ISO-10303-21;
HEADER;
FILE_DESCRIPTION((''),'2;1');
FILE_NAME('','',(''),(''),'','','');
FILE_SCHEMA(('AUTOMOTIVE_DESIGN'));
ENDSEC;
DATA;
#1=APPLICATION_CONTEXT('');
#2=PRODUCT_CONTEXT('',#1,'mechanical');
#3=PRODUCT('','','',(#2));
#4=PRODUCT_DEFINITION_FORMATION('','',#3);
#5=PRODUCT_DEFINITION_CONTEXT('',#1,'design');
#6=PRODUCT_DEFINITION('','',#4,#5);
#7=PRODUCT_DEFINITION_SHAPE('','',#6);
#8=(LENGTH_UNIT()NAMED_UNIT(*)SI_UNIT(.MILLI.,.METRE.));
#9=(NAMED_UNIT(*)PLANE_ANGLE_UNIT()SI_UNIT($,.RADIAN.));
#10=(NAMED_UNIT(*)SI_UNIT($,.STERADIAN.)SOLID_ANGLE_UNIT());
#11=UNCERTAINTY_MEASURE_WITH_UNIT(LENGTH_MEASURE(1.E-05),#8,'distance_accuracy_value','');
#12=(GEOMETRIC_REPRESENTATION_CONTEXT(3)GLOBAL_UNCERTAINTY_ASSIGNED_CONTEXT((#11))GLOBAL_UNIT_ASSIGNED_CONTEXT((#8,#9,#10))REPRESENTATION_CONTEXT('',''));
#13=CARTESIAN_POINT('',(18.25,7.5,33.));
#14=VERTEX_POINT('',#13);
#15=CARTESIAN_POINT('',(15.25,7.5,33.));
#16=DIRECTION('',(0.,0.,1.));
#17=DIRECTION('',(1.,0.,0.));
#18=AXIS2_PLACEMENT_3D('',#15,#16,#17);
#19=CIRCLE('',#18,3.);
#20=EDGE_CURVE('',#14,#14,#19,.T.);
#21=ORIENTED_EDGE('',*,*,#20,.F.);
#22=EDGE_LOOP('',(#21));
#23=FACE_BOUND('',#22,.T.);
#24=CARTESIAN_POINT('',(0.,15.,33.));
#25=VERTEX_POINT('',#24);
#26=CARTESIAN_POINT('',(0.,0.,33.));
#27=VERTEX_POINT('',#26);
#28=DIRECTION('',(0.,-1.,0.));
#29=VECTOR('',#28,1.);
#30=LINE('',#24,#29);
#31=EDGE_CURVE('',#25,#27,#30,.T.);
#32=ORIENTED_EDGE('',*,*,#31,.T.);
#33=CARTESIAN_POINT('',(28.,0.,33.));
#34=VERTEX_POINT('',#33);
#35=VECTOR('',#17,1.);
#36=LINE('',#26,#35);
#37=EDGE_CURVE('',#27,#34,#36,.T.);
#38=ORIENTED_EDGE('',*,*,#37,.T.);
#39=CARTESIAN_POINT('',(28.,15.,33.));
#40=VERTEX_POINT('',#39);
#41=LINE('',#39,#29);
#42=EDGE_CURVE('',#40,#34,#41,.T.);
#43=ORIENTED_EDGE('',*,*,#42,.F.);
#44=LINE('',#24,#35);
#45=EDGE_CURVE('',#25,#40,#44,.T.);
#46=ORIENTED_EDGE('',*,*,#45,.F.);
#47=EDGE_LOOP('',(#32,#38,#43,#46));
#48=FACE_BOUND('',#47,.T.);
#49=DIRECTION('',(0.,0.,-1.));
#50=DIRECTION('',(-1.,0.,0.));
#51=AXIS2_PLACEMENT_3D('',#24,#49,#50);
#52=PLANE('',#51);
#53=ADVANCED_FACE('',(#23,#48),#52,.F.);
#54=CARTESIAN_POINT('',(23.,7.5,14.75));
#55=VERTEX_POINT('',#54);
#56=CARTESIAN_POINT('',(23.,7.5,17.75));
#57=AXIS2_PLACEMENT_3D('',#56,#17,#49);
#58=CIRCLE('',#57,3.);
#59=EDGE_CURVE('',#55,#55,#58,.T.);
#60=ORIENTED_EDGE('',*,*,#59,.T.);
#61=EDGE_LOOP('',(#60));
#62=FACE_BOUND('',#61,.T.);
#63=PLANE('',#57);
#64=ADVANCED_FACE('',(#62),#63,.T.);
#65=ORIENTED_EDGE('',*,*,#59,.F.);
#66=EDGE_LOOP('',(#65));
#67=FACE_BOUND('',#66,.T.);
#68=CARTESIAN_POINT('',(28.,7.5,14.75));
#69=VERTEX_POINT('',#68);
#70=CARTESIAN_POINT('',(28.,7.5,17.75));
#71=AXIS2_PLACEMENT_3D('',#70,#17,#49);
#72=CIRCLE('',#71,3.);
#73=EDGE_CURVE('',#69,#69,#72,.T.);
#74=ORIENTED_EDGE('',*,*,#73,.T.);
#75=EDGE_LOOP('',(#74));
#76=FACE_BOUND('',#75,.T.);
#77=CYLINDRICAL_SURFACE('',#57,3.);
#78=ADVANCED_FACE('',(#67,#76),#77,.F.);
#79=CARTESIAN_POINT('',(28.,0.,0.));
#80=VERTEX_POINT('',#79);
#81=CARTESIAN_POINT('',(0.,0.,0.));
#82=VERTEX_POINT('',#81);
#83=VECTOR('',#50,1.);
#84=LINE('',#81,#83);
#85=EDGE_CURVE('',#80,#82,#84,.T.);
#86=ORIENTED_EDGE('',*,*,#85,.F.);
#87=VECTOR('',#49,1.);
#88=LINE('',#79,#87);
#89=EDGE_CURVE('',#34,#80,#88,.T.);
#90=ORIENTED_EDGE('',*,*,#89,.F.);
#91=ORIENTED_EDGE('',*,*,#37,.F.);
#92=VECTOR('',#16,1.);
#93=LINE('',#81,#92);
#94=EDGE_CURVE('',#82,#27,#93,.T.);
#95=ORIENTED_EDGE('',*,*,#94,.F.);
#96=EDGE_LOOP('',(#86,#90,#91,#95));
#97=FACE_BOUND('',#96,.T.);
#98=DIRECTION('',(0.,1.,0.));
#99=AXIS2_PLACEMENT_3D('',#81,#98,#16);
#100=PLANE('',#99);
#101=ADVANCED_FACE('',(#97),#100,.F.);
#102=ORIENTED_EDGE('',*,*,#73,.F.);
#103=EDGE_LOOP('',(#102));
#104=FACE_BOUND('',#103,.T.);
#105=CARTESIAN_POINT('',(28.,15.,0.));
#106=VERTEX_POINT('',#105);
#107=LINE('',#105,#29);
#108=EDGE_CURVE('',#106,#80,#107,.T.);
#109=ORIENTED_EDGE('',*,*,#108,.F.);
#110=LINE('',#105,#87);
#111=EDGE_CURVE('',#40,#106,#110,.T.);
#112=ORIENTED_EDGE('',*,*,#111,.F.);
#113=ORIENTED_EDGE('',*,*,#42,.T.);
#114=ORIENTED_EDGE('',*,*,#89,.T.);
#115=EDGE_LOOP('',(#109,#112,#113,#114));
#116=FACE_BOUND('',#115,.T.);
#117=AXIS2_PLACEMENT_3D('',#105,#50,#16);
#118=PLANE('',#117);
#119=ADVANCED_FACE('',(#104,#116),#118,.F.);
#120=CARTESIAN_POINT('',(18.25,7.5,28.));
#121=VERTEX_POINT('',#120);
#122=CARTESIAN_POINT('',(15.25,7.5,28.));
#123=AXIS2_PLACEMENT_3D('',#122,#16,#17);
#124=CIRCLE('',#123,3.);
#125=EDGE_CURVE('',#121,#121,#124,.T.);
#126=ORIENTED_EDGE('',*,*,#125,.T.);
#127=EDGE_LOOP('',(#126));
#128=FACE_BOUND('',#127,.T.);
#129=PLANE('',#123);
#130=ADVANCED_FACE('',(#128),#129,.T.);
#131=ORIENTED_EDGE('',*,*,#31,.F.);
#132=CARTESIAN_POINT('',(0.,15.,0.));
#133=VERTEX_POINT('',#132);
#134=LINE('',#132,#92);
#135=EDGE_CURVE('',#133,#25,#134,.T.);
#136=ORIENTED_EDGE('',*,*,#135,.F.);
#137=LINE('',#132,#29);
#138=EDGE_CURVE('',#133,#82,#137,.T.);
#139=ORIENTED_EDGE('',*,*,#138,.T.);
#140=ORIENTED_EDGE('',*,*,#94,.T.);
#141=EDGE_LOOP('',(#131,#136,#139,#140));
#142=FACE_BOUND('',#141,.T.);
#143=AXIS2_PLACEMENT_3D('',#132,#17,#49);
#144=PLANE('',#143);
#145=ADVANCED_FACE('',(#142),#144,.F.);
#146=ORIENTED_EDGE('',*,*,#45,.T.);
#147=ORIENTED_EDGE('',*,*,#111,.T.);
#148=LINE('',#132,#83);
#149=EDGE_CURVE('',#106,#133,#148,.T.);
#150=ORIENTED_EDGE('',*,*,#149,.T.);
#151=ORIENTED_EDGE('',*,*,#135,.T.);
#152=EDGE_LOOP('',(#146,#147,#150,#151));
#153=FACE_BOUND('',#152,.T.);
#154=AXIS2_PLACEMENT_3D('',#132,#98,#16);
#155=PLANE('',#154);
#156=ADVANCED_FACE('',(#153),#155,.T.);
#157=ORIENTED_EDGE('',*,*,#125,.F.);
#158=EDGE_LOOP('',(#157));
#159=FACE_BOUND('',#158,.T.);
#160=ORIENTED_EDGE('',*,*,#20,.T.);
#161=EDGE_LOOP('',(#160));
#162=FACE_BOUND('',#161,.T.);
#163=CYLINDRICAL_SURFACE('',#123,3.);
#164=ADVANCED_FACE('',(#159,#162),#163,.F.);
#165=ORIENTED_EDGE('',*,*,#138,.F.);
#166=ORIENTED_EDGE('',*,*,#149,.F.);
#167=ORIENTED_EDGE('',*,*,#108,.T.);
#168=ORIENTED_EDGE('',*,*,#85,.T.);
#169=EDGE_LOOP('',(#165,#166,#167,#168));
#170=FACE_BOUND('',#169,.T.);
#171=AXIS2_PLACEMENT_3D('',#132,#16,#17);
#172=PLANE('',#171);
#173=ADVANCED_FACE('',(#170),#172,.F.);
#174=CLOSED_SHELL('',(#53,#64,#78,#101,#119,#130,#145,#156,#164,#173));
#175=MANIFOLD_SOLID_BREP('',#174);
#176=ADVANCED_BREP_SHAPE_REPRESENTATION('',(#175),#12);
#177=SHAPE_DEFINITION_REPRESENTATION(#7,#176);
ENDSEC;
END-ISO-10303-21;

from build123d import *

# Parameters (mm, degrees)
SKETCH_1_W          = 28
SKETCH_1_H          = 33
EXTRUDE_1_DEPTH     = 15
SKETCH_2_R          = 3
CUT_EXTRUDE_1_DEPTH = 5
SKETCH_3_R          = 3
CUT_EXTRUDE_2_DEPTH = 5


with BuildPart() as part:
    # 草图1 → 凸台-拉伸1 (new body)
    with BuildSketch(Plane(origin=(0, 0, 0), x_dir=(1, 0, 0), z_dir=(0, 1, 0))):
        with Locations((14, -16.5)):
            Rectangle(SKETCH_1_W, SKETCH_1_H)
    extrude(amount=EXTRUDE_1_DEPTH)

    # 草图2 → 切除-拉伸1 (cut)
    with BuildSketch(Plane.XY.offset(33)):
        with Locations((15.25, 7.5)):
            Circle(SKETCH_2_R)
    extrude(amount=-CUT_EXTRUDE_1_DEPTH, mode=Mode.SUBTRACT)

    # 草图3 → 切除-拉伸2 (cut)
    with BuildSketch(Plane(origin=(28, 0, 0), x_dir=(0, 0, -1), z_dir=(1, 0, 0))):
        with Locations((-17.75, 7.5)):
            Circle(SKETCH_3_R)
    extrude(amount=-CUT_EXTRUDE_2_DEPTH, mode=Mode.SUBTRACT)


solid = part.part
